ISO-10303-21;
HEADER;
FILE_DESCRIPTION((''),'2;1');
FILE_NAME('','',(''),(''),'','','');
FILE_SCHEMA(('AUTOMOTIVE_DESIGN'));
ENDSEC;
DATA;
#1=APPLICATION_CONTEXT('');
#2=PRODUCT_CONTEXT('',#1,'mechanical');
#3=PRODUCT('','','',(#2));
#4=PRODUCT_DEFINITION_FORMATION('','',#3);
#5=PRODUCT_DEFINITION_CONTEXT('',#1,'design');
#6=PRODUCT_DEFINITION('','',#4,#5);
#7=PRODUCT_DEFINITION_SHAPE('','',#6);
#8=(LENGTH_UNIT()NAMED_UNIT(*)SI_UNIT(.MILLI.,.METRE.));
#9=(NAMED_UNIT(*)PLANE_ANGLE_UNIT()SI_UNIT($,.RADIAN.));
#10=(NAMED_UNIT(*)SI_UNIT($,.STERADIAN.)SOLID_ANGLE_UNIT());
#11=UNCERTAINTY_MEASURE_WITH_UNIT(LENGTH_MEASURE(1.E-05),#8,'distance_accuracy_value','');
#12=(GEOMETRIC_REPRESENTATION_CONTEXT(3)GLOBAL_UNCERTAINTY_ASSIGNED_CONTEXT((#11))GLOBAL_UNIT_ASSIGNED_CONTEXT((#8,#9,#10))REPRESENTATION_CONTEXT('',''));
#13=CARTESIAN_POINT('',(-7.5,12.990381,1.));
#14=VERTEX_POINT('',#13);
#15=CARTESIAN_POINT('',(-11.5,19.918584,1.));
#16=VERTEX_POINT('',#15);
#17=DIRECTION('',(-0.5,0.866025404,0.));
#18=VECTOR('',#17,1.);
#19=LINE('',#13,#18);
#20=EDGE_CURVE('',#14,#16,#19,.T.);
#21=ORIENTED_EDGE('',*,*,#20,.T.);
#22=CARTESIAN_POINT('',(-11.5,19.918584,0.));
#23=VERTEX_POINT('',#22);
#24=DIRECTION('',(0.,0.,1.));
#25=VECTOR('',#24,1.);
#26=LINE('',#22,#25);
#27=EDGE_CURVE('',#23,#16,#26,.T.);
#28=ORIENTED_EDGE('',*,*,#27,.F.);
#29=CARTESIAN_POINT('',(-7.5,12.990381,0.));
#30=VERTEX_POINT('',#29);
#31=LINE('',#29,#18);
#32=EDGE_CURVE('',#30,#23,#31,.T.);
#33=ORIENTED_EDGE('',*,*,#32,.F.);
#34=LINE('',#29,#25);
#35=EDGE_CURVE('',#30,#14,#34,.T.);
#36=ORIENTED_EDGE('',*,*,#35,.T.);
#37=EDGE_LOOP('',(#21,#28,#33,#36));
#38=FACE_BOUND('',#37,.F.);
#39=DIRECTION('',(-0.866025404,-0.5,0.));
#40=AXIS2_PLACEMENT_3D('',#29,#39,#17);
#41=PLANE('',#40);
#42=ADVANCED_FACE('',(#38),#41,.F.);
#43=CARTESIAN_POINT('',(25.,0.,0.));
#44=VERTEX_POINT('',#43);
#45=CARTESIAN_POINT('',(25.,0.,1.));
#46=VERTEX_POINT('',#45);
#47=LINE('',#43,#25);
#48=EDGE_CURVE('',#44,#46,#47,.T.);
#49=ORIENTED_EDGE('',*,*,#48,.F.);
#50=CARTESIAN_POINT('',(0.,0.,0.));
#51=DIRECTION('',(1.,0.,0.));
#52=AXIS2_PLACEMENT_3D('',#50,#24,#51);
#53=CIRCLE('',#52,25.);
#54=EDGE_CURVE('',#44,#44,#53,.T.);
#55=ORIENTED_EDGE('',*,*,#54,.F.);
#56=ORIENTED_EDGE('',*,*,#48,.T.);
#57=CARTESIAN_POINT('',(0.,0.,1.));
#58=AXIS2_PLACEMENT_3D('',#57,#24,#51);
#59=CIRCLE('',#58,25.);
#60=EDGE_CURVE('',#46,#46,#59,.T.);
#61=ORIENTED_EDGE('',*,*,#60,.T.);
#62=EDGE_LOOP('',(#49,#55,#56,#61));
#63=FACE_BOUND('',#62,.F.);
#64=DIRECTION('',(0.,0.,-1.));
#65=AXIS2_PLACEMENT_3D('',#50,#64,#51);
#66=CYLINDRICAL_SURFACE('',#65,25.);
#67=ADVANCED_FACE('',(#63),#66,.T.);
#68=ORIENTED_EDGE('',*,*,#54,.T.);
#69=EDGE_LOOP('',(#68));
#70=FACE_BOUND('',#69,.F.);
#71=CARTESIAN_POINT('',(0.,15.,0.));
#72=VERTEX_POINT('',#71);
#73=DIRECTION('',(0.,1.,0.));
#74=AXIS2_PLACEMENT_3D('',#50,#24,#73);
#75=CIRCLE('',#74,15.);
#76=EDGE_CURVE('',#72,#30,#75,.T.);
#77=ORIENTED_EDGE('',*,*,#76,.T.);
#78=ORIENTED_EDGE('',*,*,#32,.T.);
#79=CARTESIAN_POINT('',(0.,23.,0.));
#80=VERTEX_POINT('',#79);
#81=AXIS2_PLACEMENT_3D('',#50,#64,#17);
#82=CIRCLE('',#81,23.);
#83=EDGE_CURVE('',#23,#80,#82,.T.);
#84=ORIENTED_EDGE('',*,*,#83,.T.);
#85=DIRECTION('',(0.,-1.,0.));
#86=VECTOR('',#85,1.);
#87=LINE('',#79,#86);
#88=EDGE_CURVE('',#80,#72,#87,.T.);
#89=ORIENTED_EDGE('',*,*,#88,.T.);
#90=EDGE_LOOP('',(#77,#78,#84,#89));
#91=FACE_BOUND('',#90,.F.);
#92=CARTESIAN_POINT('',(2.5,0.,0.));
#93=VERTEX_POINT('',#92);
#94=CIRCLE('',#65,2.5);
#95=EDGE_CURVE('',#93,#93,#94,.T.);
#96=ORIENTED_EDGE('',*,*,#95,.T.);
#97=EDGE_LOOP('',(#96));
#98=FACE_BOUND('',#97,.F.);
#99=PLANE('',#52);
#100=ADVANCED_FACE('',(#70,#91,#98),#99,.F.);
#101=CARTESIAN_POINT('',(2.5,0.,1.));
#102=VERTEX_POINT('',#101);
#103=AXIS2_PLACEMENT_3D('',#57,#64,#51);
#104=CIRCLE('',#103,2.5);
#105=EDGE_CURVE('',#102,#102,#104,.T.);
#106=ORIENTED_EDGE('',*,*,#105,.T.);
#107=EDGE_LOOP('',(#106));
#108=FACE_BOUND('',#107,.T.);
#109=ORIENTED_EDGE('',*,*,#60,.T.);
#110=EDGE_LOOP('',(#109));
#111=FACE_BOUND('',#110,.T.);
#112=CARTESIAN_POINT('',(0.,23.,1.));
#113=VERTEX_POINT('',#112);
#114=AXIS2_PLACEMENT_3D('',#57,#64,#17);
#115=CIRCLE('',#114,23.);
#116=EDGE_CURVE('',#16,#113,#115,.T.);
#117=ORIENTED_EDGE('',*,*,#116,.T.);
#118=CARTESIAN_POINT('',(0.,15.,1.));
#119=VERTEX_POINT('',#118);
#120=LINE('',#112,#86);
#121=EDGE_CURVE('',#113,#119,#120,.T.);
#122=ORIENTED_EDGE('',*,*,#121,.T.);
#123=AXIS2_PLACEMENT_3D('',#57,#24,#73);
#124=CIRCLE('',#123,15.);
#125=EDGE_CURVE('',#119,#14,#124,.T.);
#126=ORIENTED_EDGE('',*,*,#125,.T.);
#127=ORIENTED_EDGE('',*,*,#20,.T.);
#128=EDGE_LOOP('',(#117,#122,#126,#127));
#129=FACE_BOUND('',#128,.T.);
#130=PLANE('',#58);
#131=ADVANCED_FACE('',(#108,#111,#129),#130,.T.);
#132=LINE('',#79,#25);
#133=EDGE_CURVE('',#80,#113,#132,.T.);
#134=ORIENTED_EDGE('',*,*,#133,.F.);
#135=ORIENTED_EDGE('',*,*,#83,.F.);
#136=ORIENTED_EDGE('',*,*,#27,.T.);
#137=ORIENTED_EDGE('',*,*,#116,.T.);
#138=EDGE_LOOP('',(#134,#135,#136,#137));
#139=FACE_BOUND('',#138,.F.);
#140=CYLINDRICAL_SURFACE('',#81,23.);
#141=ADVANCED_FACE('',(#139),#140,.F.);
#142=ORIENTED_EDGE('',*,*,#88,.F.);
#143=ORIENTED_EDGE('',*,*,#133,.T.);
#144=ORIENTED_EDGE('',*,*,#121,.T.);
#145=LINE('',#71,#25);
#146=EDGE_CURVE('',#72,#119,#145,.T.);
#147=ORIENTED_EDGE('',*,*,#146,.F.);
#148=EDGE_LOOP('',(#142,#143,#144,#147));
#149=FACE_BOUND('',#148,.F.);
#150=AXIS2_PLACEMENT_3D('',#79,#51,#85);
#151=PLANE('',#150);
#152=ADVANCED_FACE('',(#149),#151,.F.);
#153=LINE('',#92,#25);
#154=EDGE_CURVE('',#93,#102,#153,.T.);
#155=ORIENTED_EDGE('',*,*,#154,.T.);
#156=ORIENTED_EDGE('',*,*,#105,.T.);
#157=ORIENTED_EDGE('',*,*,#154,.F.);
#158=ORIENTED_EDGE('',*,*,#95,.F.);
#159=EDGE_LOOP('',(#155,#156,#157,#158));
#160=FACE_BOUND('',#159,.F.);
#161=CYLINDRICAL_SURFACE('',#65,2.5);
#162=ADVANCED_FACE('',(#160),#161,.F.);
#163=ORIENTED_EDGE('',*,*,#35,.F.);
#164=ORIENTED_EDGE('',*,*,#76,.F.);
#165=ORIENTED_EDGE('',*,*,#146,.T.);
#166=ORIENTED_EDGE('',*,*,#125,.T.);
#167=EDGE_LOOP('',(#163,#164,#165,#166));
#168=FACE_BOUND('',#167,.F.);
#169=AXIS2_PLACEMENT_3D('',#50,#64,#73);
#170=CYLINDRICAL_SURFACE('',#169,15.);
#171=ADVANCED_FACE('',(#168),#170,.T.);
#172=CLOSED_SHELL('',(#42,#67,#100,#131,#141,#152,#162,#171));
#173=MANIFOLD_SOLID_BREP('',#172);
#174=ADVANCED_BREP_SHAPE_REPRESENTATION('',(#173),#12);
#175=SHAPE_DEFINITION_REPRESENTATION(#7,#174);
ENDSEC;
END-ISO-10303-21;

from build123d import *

# Parameters (mm, degrees)
F0_R     = 25
F1_DEPTH = 1


with BuildPart() as f1:
    # F0 (on Top) → F1 (new body)
    with BuildSketch(Plane.XY):
        Circle(F0_R)
        with BuildLine():
            Line((0, 23), (0, 15))
            ThreePointArc((0, 15), (-3.8822856765, 14.4888873943), (-7.5, 12.9903810568))
            Line((-7.5, 12.9903810568), (-11.5, 19.918584287))
            ThreePointArc((-11.5, 19.918584287), (-5.9528380374, 22.2162940046), (0, 23))
        make_face(mode=Mode.SUBTRACT)
        with BuildLine():
            ThreePointArc((-2.5, 0), (0, 2.5), (2.5, 0))
            ThreePointArc((2.5, 0), (0, -2.5), (-2.5, 0))
        make_face(mode=Mode.SUBTRACT)
    extrude(amount=F1_DEPTH)


solid = f1.part
